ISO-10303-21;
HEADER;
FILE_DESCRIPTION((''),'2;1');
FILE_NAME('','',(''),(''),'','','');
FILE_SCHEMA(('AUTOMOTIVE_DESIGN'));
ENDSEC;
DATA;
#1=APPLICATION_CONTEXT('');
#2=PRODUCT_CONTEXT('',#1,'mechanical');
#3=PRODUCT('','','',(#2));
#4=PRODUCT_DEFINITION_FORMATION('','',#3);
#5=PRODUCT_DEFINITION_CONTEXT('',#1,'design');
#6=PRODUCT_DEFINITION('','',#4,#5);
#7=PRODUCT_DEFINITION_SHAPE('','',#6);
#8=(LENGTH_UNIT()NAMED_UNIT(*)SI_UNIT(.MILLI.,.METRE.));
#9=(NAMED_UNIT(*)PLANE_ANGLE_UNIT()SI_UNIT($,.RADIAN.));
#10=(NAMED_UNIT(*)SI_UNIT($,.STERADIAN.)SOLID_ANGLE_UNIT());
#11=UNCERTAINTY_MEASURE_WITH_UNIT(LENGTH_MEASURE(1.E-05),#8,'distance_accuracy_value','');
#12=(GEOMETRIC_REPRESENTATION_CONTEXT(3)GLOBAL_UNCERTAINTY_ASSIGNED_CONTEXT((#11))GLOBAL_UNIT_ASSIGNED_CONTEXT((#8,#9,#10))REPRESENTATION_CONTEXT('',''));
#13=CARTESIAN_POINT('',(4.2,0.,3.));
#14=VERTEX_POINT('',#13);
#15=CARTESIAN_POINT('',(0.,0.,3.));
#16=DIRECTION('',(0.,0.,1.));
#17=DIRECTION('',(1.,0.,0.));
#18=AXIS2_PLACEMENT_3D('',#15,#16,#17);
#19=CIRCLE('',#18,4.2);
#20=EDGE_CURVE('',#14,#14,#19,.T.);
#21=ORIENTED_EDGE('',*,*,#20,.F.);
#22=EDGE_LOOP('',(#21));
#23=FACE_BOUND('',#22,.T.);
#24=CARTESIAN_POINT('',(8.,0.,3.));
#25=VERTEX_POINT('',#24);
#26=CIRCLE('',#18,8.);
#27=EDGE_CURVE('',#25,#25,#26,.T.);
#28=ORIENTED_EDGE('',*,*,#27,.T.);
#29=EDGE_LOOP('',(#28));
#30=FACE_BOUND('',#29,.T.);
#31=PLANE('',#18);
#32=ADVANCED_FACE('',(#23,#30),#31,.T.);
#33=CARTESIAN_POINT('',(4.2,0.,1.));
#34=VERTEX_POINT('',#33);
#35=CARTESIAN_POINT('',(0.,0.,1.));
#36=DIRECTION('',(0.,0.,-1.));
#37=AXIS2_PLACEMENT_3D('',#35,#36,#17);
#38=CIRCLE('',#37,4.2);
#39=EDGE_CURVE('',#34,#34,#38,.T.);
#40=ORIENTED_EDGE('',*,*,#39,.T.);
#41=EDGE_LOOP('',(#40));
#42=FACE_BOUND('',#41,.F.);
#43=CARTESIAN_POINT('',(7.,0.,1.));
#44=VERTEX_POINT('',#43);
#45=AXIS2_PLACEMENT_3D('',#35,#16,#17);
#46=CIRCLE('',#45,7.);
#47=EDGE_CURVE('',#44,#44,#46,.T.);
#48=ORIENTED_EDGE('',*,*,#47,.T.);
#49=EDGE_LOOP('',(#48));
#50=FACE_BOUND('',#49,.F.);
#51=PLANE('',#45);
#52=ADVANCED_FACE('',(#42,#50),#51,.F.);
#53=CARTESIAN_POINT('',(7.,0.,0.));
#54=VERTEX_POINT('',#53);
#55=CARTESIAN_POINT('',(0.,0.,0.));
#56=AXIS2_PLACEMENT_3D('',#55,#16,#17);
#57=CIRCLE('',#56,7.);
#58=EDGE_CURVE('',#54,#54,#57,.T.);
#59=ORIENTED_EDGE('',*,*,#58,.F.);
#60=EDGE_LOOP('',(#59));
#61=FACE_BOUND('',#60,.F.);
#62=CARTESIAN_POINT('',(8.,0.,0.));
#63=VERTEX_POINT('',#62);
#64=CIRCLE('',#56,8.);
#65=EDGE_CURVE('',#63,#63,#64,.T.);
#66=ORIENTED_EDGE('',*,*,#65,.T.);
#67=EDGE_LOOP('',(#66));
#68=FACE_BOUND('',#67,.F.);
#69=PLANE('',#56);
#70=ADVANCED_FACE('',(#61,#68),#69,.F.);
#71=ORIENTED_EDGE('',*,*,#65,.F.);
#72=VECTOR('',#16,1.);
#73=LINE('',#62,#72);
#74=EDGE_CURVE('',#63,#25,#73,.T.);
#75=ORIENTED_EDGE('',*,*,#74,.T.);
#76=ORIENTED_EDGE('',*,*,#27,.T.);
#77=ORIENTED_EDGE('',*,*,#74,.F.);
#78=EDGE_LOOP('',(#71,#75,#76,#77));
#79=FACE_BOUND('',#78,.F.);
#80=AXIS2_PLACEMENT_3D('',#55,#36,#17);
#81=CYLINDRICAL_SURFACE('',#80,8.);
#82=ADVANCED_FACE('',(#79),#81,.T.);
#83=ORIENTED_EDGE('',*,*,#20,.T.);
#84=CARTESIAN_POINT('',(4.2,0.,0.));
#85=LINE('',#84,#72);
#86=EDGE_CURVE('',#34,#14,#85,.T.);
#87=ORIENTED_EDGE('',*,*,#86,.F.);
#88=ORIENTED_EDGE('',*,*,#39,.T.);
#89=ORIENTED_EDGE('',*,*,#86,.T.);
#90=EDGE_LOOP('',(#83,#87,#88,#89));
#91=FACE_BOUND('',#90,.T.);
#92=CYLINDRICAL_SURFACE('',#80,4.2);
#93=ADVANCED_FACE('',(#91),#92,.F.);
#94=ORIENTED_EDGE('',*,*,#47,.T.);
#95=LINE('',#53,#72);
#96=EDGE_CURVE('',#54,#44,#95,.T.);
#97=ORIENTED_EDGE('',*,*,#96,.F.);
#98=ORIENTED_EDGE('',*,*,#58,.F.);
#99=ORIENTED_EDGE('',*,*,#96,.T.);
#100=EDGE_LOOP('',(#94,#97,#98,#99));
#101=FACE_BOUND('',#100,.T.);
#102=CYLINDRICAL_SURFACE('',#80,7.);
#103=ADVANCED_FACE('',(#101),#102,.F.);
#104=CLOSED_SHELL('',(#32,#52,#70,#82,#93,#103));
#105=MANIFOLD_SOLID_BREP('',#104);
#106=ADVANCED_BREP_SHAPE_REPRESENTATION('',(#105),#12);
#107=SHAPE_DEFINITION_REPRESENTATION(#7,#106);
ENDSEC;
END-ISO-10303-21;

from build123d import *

# Parameters (mm, degrees)
CYLINDER014005855_R     = 7
CYLINDER014005855_DEPTH = 1
TUBE004_R               = 8
TUBE004_R_2             = 4.2
TUBE004_DEPTH           = 3


with BuildPart() as v_lec768:
    # Cylinder014005855 → Cylinder014005855 (new body)
    with BuildSketch(Plane.XY):
        Circle(CYLINDER014005855_R)
    extrude(amount=CYLINDER014005855_DEPTH)


with BuildPart() as ring:
    # Tube004 → Tube004 (new body)
    with BuildSketch(Plane.XY):
        Circle(TUBE004_R)
        Circle(TUBE004_R_2, mode=Mode.SUBTRACT)
    extrude(amount=TUBE004_DEPTH)

    # Cut009003003007: cut Válec768
    add(v_lec768.part, mode=Mode.SUBTRACT)


solid = ring.part
